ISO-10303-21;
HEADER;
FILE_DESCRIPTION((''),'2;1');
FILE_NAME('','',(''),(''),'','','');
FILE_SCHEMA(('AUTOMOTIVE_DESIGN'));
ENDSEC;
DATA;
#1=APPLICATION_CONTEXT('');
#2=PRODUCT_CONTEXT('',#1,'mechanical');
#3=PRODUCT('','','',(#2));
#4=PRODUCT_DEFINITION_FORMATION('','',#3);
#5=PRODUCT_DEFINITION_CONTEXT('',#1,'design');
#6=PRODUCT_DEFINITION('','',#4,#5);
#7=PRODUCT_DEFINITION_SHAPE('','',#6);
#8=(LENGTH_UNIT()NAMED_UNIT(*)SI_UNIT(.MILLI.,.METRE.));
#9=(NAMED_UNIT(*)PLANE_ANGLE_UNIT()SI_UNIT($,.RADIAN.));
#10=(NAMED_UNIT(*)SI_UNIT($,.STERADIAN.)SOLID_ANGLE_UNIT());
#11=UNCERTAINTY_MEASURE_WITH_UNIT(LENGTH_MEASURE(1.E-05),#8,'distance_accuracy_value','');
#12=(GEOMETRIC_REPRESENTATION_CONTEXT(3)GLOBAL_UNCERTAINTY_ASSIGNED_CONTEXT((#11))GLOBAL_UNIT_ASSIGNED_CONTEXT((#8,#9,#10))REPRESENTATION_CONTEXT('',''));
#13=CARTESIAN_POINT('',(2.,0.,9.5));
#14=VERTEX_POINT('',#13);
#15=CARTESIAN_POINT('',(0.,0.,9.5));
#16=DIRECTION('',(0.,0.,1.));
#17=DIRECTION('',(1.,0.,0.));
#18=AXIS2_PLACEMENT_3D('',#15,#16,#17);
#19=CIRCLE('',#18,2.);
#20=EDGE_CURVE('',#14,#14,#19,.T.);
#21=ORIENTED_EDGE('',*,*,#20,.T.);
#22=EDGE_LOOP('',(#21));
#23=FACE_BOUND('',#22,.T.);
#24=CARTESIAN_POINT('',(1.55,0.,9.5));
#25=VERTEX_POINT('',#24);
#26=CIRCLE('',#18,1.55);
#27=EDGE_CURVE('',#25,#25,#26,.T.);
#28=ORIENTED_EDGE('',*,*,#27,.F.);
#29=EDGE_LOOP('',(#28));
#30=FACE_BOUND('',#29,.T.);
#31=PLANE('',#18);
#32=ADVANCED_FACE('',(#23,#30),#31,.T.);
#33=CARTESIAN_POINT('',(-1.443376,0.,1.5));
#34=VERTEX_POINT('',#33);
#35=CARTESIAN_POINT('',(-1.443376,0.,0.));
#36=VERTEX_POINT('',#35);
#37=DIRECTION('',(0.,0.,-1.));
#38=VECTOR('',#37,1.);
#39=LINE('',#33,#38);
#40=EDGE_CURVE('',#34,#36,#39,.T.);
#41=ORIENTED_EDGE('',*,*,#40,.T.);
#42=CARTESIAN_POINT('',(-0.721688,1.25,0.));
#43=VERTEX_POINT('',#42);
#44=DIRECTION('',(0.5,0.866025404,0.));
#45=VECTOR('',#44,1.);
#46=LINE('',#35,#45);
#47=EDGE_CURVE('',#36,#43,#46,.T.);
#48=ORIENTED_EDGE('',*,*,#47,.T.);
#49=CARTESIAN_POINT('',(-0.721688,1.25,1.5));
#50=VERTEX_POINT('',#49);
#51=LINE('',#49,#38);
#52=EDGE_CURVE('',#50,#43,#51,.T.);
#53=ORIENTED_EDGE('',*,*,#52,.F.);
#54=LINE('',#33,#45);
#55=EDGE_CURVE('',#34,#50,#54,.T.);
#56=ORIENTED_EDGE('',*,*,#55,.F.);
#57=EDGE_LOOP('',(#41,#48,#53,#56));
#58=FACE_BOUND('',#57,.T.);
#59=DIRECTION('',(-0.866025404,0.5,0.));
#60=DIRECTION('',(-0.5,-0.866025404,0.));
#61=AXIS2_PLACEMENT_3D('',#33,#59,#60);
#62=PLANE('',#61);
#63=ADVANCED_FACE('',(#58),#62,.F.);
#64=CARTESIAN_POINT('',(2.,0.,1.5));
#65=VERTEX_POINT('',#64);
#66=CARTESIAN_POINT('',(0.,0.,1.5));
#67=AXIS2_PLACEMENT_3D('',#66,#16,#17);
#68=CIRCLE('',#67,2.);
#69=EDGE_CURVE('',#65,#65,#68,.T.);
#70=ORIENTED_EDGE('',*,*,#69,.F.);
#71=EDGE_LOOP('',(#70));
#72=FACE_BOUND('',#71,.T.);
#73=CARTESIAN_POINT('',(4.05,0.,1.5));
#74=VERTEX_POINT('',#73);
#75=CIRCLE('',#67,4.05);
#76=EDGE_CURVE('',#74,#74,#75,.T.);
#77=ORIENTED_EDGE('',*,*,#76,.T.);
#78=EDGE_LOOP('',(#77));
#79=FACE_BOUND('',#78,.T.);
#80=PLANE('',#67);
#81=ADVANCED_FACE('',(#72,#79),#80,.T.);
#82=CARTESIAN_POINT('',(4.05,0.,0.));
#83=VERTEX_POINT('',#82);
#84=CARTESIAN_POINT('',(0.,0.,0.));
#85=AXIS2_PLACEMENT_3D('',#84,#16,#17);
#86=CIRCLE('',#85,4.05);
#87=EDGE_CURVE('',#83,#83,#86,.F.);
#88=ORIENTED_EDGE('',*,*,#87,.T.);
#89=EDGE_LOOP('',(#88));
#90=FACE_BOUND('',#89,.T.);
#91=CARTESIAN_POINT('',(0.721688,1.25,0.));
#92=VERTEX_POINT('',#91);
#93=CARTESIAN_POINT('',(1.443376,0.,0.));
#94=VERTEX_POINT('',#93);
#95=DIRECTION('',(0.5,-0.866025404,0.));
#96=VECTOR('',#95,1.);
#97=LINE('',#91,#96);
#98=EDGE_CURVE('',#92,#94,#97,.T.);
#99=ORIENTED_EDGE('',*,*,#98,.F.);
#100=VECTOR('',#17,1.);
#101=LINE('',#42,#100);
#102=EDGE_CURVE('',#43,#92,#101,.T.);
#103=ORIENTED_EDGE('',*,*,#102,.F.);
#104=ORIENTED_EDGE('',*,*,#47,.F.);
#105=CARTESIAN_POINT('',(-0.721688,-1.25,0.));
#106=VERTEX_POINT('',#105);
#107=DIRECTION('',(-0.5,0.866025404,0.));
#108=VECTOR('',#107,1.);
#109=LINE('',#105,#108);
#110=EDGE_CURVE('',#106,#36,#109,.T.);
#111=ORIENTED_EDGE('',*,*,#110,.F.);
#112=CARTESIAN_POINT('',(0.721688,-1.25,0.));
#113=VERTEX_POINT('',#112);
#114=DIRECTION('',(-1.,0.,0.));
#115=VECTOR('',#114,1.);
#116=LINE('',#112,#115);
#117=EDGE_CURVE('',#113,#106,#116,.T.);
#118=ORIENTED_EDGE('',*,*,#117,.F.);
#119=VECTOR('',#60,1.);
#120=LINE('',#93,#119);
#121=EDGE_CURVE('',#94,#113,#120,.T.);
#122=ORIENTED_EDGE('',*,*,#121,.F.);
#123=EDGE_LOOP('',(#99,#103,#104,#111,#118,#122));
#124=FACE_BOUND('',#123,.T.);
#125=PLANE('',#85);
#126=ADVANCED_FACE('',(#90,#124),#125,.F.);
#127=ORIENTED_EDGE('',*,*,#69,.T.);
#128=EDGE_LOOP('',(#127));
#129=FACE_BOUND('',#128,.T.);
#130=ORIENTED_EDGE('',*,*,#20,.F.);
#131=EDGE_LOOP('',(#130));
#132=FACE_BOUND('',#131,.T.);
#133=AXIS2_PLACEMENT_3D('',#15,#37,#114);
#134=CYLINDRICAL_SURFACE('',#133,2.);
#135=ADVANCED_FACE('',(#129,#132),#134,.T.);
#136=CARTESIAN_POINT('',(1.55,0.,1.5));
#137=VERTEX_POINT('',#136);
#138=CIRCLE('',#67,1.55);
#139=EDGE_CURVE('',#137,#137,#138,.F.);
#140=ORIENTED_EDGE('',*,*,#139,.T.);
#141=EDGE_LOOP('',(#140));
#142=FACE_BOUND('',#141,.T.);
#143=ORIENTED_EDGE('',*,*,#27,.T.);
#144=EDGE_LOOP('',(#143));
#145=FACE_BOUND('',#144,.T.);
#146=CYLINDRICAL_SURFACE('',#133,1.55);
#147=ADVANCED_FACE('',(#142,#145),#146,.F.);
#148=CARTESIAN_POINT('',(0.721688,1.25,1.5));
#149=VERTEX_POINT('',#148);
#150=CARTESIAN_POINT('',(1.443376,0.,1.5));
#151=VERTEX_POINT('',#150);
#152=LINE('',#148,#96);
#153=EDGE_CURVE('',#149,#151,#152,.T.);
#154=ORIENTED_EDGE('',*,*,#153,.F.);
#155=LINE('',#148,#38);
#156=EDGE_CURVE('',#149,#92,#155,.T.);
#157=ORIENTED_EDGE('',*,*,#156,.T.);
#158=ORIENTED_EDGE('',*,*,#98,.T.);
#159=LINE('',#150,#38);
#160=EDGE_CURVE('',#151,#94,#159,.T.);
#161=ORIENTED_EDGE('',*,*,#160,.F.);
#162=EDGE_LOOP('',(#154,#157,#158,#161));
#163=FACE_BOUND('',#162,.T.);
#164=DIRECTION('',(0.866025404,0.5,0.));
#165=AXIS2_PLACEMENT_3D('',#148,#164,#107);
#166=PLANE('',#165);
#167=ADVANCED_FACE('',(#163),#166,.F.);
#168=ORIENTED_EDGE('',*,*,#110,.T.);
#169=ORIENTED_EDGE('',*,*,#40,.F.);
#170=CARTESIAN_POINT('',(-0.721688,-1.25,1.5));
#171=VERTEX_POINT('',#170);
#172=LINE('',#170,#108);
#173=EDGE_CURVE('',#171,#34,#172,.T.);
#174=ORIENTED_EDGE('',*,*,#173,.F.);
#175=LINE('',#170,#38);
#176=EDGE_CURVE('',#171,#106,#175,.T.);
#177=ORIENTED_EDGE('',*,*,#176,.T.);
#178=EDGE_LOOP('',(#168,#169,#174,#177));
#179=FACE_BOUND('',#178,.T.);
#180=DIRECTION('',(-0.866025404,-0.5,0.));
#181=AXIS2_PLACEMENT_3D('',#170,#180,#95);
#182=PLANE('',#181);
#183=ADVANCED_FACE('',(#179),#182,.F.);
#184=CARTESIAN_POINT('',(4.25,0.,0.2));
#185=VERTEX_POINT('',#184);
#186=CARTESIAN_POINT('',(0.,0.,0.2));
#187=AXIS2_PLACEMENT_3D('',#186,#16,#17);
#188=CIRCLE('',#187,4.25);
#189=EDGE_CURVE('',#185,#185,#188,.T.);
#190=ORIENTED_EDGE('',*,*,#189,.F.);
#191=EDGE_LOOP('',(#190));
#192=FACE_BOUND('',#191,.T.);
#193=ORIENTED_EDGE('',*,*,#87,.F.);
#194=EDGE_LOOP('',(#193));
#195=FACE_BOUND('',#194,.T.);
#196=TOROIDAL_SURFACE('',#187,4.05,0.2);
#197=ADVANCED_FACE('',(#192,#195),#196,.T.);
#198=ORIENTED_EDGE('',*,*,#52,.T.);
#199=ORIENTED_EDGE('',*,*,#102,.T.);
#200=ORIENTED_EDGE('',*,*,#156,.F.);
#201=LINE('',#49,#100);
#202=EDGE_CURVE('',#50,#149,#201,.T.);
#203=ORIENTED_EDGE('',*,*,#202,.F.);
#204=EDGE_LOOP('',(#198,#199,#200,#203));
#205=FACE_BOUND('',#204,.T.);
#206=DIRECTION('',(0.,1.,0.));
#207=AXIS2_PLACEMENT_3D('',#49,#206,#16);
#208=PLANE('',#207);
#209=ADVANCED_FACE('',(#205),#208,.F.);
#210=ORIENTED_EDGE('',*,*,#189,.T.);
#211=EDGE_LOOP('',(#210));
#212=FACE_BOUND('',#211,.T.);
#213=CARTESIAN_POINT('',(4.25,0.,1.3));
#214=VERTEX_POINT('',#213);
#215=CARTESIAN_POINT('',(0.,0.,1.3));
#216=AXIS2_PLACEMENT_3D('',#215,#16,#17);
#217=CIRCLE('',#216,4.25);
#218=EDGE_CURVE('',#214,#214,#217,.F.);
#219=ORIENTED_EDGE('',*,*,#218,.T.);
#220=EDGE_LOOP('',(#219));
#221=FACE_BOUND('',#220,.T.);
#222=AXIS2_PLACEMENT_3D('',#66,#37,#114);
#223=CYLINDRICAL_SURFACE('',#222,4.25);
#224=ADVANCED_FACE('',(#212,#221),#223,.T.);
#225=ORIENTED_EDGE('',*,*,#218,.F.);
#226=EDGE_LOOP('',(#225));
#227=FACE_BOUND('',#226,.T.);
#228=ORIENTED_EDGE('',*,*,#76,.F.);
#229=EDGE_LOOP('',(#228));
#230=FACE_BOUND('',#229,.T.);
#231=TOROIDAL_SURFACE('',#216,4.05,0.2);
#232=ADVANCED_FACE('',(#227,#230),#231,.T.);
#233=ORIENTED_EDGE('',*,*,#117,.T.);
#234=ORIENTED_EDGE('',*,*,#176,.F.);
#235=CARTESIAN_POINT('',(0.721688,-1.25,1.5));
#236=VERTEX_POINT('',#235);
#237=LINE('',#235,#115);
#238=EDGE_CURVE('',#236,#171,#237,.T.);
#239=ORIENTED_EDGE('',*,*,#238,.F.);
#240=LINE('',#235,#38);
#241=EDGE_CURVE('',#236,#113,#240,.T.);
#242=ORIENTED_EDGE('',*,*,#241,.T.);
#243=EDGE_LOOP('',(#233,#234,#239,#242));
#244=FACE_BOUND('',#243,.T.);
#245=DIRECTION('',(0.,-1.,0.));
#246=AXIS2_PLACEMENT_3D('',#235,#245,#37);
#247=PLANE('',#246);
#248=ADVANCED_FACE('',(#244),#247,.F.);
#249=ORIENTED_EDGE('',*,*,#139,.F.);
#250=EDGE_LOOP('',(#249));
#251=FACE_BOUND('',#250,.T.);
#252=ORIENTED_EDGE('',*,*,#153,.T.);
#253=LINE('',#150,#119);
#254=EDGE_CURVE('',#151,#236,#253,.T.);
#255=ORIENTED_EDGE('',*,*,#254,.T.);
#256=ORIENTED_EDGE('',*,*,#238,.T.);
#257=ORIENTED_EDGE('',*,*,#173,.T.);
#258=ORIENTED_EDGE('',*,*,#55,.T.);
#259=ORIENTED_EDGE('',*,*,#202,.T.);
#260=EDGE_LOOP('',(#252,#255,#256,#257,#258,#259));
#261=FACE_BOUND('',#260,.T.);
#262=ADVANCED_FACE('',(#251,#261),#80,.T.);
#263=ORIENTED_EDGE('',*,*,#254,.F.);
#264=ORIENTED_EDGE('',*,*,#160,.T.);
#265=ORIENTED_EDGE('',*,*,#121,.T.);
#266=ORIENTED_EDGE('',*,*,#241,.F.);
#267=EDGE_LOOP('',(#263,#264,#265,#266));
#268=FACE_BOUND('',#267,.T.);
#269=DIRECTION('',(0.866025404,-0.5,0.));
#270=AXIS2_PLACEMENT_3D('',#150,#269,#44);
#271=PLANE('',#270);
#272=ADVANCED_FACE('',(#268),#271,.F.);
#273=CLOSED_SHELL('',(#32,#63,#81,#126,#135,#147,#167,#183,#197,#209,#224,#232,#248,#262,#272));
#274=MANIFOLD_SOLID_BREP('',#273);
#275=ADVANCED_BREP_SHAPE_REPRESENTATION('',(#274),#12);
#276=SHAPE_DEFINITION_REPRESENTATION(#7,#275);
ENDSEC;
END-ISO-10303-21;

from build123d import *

# Parameters (mm, degrees)
SKETCH_1_R          = 4.25
EXTRUDE_1_DEPTH     = 1.5
SKETCH_2_R          = 2
SKETCH_2_R_2        = 1.55
EXTRUDE_2_DEPTH     = 8
FILLET_1_R          = 0.2
CUT_EXTRUDE_1_DEPTH = 1.5


with BuildPart() as part:
    # 草图1 → 凸台-拉伸1 (new body)
    with BuildSketch(Plane.XY):
        Circle(SKETCH_1_R)
    extrude(amount=EXTRUDE_1_DEPTH)

    # 草图2 → 凸台-拉伸2 (add)
    with BuildSketch(Plane.XY.offset(1.5)):
        Circle(SKETCH_2_R)
        Circle(SKETCH_2_R_2, mode=Mode.SUBTRACT)
    extrude(amount=EXTRUDE_2_DEPTH)

    # 圆角1
    fillet_1_edges = [part.edges().sort_by_distance(p)[0] for p in [
        (-4.25, 0, 0),
        (-4.25, 0, 1.5),
    ]]
    fillet(fillet_1_edges, radius=FILLET_1_R)

    # 草图3 → 切除-拉伸1 (cut)
    with BuildSketch(Plane(origin=(0, 0, 0), x_dir=(-1, 0, 0), z_dir=(0, 0, -1))):
        Polygon((1.443375673, 0), (0.721687836, 1.25), (-0.721687836, 1.25), (-1.443375673, 0), (-0.721687836, -1.25), (0.721687836, -1.25), align=None)
    extrude(amount=-CUT_EXTRUDE_1_DEPTH, mode=Mode.SUBTRACT)


solid = part.part
